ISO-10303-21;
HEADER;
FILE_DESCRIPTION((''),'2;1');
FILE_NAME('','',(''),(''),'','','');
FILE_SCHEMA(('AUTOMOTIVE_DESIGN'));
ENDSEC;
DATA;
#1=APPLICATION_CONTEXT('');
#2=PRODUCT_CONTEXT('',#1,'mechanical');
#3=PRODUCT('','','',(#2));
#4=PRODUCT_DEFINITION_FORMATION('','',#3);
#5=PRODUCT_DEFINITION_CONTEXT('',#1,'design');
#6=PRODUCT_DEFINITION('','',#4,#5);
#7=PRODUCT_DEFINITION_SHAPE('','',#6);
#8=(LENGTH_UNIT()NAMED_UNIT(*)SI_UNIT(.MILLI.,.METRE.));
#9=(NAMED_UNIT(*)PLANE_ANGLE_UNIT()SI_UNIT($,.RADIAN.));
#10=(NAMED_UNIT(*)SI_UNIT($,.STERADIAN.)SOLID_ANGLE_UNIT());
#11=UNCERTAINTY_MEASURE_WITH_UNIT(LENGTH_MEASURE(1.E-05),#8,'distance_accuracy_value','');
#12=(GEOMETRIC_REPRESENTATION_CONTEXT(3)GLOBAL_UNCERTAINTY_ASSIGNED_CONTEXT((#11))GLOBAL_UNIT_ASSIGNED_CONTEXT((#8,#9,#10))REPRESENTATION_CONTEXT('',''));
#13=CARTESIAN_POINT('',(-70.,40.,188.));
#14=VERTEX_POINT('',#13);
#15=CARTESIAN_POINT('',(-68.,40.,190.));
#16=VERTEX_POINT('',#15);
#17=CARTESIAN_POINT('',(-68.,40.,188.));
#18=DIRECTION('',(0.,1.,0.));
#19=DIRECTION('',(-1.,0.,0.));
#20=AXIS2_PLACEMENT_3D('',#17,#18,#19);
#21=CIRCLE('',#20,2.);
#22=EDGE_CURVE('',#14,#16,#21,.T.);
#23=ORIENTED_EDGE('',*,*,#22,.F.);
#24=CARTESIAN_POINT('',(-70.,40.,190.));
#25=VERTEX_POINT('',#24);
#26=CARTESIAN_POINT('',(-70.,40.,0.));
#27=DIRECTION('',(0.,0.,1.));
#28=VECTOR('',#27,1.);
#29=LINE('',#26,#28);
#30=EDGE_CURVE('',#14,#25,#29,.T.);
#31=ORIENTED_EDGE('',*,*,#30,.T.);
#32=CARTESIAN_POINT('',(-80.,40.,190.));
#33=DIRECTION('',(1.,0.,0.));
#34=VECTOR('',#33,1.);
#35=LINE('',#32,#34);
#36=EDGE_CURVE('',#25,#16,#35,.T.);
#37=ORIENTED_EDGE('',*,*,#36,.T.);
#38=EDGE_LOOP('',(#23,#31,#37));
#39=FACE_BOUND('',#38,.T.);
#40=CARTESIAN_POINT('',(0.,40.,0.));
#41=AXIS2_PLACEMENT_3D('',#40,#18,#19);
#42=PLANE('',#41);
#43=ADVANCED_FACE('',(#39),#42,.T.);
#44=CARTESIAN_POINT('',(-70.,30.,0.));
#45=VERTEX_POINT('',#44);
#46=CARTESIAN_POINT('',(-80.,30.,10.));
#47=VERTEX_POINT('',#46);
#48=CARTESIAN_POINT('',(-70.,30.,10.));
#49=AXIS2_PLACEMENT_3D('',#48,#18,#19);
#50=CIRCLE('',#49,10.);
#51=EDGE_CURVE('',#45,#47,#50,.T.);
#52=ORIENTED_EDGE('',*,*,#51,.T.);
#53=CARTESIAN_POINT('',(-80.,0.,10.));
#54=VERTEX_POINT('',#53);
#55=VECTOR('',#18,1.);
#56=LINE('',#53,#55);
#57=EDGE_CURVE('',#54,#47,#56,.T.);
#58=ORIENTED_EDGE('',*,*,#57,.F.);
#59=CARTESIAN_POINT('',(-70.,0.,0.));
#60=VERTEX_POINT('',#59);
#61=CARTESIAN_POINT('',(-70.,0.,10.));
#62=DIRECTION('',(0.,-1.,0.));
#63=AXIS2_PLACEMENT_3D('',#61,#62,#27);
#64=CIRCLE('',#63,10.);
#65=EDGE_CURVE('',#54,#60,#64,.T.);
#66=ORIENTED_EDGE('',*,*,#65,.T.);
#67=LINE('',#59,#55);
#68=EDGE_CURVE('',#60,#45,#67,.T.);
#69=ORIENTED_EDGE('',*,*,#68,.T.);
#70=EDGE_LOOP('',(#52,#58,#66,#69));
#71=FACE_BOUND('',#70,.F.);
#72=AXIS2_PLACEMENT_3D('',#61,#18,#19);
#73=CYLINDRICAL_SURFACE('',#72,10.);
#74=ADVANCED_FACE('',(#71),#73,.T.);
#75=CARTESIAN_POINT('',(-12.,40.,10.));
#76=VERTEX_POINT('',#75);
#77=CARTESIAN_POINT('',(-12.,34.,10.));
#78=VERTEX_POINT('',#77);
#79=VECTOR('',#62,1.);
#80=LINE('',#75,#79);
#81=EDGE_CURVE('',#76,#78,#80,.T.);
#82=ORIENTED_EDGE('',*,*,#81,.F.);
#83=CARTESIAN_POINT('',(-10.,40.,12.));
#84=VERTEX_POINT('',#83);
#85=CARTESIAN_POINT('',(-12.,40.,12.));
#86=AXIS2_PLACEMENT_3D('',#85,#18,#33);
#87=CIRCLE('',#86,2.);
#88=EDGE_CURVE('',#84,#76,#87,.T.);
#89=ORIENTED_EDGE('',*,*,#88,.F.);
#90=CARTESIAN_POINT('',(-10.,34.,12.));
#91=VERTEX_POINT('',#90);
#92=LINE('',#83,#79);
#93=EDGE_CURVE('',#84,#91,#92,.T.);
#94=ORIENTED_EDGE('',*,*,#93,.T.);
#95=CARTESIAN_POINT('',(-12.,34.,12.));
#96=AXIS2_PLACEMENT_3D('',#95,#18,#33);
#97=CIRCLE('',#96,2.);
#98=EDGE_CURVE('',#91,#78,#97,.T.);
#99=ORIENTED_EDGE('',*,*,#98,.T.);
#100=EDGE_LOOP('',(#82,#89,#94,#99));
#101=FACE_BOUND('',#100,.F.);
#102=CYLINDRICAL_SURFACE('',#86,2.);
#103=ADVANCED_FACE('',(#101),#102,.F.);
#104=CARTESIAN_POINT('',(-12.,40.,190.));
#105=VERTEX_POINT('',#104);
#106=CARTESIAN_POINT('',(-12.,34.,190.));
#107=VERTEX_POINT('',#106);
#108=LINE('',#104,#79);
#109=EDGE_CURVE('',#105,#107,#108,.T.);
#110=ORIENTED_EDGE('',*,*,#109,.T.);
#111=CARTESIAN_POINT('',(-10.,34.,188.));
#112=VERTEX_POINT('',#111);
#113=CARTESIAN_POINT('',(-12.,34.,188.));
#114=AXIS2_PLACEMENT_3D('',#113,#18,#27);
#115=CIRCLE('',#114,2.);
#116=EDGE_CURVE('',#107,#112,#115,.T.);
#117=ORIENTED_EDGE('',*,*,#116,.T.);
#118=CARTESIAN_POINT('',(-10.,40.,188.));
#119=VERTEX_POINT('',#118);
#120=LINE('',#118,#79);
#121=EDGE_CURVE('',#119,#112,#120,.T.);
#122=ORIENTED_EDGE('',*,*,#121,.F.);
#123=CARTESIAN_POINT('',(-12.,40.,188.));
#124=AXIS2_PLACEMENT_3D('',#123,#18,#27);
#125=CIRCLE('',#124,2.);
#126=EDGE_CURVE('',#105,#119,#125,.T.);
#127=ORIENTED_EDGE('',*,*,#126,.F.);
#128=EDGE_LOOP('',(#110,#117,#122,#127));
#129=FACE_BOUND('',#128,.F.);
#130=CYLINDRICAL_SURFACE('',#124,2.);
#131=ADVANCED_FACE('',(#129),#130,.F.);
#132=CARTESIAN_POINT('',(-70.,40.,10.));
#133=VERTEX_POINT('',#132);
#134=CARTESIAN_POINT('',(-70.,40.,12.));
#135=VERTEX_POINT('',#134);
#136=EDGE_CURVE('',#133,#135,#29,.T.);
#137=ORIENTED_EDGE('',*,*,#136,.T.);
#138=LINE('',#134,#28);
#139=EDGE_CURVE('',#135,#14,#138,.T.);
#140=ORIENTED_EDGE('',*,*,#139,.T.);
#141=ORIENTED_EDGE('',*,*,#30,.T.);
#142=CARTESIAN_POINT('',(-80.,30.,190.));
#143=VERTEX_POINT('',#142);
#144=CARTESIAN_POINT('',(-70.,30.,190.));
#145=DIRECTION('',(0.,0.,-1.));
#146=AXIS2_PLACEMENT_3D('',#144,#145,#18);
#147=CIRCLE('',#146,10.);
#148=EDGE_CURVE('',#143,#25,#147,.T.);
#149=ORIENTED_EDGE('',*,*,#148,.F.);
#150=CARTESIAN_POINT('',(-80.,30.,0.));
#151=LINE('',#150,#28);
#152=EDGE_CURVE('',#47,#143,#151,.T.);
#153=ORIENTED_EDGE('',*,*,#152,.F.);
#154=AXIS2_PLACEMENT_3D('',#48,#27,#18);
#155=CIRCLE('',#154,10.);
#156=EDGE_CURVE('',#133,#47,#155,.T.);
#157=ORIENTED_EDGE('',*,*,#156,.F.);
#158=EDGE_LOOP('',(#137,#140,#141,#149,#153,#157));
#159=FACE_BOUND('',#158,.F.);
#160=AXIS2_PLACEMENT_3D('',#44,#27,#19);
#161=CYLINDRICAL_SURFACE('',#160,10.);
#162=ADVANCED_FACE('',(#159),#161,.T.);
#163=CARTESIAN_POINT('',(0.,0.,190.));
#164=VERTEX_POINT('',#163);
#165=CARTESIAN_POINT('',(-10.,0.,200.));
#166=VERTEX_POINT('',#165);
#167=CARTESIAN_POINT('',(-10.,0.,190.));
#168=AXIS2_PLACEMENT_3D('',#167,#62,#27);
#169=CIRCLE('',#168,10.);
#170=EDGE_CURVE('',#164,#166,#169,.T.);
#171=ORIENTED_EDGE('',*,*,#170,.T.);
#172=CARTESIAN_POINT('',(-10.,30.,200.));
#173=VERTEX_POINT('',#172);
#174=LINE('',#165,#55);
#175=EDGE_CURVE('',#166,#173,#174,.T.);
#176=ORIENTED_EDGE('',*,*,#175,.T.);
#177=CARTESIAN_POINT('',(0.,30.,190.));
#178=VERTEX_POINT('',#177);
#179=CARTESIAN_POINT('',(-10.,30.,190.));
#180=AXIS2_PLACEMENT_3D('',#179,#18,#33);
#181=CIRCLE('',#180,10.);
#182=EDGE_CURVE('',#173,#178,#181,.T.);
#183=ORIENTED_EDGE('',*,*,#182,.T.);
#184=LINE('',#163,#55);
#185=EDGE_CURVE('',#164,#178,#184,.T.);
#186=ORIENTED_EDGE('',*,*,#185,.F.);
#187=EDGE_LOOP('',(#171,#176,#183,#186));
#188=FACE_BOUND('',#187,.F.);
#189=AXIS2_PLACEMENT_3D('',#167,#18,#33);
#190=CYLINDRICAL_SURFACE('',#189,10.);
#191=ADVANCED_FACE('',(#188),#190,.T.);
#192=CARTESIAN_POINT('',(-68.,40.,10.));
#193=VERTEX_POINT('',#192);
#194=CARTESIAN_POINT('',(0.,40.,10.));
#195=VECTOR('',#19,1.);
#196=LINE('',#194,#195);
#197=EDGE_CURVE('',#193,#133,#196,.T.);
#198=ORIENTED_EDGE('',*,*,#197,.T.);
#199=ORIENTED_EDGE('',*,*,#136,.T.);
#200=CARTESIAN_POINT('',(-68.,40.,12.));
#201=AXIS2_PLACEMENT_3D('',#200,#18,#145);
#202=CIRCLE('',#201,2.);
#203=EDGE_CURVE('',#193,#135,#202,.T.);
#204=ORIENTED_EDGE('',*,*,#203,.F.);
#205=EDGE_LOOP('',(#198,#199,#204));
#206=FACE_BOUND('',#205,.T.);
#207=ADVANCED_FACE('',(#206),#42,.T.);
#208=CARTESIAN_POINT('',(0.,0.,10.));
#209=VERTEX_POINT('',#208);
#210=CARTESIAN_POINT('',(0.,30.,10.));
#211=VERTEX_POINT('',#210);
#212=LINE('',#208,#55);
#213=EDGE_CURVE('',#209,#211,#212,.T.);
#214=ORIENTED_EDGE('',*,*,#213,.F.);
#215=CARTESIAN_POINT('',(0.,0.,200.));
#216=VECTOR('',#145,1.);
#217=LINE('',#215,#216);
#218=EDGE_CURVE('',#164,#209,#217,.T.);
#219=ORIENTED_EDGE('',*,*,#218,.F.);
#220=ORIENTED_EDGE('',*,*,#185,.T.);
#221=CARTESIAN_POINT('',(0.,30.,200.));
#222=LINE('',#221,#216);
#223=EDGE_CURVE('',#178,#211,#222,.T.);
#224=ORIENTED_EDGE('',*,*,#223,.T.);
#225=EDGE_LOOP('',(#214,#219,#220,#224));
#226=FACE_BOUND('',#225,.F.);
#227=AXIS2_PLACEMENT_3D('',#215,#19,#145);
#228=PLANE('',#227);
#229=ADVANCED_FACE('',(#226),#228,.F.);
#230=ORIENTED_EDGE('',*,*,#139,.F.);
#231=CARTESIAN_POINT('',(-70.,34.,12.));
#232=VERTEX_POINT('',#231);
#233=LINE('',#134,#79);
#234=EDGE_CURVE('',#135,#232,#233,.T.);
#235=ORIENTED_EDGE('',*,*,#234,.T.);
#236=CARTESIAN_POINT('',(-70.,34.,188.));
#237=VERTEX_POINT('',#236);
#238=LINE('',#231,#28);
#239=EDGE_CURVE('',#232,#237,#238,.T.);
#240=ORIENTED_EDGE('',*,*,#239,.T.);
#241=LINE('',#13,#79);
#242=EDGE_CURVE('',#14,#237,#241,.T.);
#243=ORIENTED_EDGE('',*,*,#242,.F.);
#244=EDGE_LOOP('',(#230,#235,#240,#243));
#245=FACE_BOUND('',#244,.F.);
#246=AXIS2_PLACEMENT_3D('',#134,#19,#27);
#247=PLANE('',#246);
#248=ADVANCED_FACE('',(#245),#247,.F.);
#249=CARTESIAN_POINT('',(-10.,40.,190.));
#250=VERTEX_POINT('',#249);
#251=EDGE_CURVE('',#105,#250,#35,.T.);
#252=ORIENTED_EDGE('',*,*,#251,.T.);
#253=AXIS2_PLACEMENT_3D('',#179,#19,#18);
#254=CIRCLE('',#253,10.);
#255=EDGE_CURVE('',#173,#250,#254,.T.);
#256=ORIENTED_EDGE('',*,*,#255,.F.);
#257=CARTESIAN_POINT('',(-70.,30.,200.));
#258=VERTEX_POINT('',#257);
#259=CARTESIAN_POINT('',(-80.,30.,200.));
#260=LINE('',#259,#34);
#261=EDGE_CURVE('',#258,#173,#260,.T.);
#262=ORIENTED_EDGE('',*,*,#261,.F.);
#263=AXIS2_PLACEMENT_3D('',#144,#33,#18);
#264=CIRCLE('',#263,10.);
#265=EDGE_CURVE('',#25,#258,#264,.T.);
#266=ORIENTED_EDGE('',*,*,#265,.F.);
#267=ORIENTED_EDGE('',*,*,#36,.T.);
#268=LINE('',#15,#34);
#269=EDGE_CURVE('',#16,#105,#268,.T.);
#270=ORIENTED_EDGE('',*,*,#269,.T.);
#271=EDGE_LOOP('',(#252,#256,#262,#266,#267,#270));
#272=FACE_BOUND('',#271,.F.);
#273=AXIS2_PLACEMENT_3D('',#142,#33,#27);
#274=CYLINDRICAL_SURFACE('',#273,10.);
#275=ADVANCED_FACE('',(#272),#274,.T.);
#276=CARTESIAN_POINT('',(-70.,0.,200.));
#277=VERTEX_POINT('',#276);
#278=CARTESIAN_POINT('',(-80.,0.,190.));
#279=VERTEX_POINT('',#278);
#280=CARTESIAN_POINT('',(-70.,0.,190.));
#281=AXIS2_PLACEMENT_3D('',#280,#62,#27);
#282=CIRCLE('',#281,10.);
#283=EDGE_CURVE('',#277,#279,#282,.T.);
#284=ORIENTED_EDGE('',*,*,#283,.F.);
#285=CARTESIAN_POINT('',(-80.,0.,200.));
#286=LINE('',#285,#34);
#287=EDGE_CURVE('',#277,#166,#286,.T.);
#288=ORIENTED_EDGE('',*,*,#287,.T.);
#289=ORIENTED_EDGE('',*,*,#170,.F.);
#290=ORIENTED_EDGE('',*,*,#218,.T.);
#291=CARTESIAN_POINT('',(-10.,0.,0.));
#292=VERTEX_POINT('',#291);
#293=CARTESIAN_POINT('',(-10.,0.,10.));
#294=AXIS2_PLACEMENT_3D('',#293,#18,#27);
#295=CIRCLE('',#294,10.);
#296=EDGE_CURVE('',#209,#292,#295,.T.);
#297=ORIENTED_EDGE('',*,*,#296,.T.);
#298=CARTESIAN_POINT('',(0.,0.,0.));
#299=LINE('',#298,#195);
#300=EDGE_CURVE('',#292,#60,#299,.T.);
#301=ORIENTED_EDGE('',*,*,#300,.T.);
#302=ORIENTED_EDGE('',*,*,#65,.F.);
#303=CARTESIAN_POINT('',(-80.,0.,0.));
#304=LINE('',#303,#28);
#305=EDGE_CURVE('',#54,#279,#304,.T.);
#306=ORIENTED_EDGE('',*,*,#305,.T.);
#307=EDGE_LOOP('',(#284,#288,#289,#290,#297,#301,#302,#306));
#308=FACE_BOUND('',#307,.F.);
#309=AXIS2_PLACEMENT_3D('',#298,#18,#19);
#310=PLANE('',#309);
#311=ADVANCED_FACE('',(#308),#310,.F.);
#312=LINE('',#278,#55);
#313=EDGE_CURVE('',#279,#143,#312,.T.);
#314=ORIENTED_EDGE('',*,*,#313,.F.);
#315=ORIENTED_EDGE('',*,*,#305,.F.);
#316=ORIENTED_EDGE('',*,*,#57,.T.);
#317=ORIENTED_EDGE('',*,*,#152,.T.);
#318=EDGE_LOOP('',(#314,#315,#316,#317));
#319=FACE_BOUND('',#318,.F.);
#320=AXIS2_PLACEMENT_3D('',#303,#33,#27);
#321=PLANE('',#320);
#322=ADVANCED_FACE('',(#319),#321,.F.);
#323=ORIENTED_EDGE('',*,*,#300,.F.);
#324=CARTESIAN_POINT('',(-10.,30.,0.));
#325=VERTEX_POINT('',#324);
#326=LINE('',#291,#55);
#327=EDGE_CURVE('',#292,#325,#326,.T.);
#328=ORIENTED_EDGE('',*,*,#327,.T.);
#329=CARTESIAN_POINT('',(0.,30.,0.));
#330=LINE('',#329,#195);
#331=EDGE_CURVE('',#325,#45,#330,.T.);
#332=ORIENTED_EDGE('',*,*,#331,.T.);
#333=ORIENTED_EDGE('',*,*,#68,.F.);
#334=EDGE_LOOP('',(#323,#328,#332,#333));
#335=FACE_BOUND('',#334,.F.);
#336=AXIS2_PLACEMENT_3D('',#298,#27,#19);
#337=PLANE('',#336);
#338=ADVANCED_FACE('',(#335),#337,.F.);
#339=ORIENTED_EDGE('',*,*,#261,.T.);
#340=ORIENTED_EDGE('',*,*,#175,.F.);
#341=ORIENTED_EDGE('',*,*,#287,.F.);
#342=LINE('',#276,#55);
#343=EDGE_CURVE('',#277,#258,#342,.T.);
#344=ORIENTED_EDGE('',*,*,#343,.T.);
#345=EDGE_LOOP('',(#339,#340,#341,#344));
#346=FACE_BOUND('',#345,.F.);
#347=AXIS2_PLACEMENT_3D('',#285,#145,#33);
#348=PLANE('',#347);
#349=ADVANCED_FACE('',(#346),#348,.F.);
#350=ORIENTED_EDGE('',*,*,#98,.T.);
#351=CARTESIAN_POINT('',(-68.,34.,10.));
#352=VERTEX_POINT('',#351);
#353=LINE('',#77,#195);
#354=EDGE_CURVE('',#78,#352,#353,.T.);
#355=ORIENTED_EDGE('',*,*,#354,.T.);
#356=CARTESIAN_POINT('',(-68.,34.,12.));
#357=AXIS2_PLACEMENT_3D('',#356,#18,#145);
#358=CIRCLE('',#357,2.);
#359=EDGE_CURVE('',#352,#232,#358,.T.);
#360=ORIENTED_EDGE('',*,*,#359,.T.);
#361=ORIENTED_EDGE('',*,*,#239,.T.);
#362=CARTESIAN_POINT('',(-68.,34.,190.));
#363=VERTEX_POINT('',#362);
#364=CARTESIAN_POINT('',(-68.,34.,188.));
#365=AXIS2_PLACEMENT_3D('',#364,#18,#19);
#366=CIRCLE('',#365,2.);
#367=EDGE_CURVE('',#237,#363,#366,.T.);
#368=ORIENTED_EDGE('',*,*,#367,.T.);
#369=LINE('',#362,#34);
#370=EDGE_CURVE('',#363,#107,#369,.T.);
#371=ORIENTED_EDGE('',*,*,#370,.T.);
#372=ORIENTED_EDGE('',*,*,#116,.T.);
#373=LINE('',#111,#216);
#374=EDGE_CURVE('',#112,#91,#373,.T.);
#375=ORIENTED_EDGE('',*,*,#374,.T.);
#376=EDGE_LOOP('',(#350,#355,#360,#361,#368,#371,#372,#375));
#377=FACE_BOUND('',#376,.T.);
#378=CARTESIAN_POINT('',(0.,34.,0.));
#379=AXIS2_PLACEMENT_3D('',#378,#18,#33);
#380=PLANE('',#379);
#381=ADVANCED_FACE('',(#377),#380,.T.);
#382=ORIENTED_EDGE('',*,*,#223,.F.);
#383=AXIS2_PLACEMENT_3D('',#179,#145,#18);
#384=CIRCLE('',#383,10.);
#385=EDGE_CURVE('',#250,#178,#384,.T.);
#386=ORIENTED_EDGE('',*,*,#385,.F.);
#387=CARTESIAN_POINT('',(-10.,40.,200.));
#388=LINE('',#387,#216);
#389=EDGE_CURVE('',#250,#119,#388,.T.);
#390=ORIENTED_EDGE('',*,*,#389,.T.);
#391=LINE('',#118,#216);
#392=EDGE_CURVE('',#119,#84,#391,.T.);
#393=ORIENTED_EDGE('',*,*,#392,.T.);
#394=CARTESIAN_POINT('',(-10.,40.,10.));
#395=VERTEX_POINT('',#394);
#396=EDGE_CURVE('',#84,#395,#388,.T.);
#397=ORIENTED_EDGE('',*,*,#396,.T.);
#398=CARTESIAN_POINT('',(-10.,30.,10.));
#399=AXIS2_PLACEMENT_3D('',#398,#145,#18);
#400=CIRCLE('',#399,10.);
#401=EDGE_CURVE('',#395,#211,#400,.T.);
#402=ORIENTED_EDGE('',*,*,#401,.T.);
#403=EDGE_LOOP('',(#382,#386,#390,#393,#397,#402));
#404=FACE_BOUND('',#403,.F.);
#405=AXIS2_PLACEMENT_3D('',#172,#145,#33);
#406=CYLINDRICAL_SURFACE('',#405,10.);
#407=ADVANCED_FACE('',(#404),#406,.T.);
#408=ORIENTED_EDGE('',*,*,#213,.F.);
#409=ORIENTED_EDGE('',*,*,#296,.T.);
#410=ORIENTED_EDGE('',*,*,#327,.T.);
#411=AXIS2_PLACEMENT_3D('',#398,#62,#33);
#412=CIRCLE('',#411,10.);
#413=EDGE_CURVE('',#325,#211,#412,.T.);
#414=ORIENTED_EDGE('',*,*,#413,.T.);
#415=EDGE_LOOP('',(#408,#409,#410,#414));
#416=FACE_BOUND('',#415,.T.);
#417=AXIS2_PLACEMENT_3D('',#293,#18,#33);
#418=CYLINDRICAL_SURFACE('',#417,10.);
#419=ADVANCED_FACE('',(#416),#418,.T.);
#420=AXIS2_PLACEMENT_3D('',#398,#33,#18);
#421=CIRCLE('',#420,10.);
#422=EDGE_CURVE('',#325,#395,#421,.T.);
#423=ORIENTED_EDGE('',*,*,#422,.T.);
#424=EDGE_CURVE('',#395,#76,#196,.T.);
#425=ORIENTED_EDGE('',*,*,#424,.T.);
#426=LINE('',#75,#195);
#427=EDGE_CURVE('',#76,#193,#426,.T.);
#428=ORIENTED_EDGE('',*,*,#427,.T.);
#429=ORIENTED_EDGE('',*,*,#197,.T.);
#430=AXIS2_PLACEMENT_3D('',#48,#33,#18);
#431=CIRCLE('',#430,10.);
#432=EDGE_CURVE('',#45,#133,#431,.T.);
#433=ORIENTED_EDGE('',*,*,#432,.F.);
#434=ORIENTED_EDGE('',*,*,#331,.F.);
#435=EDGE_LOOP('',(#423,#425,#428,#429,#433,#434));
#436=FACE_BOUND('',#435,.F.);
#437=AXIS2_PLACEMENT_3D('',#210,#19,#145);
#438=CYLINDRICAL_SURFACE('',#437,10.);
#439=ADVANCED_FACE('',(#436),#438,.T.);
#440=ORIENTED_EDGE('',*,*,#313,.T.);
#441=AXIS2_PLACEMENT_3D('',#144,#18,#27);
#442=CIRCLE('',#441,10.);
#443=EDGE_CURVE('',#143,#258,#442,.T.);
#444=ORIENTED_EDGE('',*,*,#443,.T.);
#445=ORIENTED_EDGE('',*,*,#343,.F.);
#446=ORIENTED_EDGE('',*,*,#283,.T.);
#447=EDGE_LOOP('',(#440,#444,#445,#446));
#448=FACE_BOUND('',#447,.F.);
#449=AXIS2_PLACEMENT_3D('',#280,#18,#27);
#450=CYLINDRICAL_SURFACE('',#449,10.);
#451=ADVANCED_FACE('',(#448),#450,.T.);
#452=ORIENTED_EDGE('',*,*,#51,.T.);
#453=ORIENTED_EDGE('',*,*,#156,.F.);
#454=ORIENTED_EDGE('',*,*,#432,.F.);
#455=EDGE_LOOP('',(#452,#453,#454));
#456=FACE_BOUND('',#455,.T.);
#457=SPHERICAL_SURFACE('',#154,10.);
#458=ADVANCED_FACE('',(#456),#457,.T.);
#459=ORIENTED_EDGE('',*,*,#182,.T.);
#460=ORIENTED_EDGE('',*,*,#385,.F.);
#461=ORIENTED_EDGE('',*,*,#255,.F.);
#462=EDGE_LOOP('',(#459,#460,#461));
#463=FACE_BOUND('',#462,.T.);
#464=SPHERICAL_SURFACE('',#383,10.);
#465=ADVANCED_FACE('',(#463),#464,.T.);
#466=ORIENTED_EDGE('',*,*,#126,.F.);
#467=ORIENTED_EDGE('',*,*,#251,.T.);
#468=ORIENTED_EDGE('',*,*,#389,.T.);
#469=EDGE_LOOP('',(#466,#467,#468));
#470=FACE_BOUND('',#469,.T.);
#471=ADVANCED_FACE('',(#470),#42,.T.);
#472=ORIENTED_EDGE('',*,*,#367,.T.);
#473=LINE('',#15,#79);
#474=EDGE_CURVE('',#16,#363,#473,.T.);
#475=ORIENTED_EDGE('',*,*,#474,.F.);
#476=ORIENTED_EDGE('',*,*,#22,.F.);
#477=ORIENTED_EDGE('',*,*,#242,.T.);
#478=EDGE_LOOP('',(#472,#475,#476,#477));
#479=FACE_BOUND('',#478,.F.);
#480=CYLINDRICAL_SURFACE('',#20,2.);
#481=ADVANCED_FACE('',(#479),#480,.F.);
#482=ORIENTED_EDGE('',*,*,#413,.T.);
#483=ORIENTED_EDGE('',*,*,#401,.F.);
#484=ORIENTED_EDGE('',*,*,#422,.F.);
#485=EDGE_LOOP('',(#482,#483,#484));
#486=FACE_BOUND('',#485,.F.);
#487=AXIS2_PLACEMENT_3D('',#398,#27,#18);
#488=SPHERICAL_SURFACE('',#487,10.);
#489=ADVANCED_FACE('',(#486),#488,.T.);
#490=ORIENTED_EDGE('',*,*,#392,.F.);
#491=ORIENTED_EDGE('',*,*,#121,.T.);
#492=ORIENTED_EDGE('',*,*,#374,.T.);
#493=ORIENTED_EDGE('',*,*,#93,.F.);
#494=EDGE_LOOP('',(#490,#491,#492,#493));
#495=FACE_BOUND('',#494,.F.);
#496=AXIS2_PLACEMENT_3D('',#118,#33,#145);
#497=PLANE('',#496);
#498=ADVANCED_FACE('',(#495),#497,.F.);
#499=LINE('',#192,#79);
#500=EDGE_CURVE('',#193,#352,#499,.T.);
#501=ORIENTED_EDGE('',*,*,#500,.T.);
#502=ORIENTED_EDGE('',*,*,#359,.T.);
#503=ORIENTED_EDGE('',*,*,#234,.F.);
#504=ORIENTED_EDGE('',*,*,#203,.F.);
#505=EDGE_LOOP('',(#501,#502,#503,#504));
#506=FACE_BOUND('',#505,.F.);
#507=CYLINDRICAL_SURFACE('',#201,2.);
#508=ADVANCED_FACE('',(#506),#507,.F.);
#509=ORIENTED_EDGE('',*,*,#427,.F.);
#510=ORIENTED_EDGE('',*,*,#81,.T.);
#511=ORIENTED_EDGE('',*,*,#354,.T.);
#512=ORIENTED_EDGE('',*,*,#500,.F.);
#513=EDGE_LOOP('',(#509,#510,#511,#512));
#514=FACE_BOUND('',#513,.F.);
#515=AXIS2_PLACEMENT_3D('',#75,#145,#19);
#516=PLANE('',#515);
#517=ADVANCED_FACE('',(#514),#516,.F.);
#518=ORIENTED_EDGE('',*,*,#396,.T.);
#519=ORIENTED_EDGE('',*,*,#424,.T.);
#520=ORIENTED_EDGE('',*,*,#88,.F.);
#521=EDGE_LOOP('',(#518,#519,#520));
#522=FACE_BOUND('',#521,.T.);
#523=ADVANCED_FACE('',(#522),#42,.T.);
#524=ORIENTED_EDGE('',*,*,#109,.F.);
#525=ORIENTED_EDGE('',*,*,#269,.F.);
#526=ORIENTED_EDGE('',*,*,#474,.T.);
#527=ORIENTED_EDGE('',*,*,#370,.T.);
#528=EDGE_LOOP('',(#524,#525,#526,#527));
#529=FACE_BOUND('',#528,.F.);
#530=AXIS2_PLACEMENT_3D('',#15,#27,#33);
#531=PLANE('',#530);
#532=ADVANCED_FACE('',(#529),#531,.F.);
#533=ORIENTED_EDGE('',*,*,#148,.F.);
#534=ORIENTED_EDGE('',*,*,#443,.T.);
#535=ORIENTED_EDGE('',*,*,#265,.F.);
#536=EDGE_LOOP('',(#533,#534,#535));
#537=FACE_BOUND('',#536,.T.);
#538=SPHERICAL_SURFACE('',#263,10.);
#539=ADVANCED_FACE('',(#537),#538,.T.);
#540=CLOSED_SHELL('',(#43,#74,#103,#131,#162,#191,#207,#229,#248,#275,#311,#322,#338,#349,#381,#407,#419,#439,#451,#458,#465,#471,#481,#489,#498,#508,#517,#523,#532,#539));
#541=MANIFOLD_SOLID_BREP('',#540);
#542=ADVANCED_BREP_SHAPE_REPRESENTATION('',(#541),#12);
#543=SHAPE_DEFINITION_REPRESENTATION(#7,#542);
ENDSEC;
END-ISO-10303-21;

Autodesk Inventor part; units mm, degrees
ref_plane "YZ Plane" through (0, 0, 0) normal (1, 0, 0) x (0, 1, 0)
ref_plane "XZ Plane" through (0, 0, 0) normal (0, 1, 0) x (-1, 0, 0)
ref_plane "XY Plane" through (0, 0, 0) normal (0, 0, 1) x (1, 0, 0)
sketch "Sketch1" plane through (0, 0, 0) normal (0, 1, 0) x (-1, 0, 0)
  line L0 (0, 0) -> (80, 0)
  line L1 (80, 0) -> (80, 200)
  line L2 (80, 200) -> (0, 200)
  line L3 (0, 200) -> (0, 0)
  dimension "d0" = 80
  dimension "d1" = 200
extrude "Extrusion1" add sketch "Sketch1" along normal blind 40
fillet "Fillet1" radius 10 8 edges at (0, 40, 100) (-40, 40, 200) (-80, 40, 100) (-40, 40, 0) (0, 20, 0) (0, 20, 200) (-80, 20, 200) (-80, 20, 0)
sketch "Sketch2" plane through (0, 40, 0) normal (0, 1, 0) x (1, 0, 0)
  line L0 (-68, -190) -> (-12, -190)
  line L1 (-10, -188) -> (-10, -12)
  line L2 (-12, -10) -> (-68, -10)
  line L3 (-70, -12) -> (-70, -188)
  line L4 (-70, -10) -> (-10, -10) projected
  line L5 (-10, -10) -> (-10, -190) projected
  arc A0 (-70, -188) -> (-68, -190) centre (-68, -188) ccw
  arc A1 (-68, -10) -> (-70, -12) centre (-68, -12) ccw
  arc A2 (-10, -12) -> (-12, -10) centre (-12, -12) ccw
  arc A3 (-12, -190) -> (-10, -188) centre (-12, -188) ccw
  point P0 (0, 0)
  point P1 (-70, -100)
  point P2 (-40, -10)
  dimension "d5" = 90
  dimension "d6" = 180
  dimension "d7" = 30
  dimension "d8" = 60
  dimension "d9" = 2
extrude "Extrusion2" cut sketch "Sketch2" against normal blind 6 contours A0 L3 A1 L2 A2 L1 A3 L0
properties part number "lcd screen"
